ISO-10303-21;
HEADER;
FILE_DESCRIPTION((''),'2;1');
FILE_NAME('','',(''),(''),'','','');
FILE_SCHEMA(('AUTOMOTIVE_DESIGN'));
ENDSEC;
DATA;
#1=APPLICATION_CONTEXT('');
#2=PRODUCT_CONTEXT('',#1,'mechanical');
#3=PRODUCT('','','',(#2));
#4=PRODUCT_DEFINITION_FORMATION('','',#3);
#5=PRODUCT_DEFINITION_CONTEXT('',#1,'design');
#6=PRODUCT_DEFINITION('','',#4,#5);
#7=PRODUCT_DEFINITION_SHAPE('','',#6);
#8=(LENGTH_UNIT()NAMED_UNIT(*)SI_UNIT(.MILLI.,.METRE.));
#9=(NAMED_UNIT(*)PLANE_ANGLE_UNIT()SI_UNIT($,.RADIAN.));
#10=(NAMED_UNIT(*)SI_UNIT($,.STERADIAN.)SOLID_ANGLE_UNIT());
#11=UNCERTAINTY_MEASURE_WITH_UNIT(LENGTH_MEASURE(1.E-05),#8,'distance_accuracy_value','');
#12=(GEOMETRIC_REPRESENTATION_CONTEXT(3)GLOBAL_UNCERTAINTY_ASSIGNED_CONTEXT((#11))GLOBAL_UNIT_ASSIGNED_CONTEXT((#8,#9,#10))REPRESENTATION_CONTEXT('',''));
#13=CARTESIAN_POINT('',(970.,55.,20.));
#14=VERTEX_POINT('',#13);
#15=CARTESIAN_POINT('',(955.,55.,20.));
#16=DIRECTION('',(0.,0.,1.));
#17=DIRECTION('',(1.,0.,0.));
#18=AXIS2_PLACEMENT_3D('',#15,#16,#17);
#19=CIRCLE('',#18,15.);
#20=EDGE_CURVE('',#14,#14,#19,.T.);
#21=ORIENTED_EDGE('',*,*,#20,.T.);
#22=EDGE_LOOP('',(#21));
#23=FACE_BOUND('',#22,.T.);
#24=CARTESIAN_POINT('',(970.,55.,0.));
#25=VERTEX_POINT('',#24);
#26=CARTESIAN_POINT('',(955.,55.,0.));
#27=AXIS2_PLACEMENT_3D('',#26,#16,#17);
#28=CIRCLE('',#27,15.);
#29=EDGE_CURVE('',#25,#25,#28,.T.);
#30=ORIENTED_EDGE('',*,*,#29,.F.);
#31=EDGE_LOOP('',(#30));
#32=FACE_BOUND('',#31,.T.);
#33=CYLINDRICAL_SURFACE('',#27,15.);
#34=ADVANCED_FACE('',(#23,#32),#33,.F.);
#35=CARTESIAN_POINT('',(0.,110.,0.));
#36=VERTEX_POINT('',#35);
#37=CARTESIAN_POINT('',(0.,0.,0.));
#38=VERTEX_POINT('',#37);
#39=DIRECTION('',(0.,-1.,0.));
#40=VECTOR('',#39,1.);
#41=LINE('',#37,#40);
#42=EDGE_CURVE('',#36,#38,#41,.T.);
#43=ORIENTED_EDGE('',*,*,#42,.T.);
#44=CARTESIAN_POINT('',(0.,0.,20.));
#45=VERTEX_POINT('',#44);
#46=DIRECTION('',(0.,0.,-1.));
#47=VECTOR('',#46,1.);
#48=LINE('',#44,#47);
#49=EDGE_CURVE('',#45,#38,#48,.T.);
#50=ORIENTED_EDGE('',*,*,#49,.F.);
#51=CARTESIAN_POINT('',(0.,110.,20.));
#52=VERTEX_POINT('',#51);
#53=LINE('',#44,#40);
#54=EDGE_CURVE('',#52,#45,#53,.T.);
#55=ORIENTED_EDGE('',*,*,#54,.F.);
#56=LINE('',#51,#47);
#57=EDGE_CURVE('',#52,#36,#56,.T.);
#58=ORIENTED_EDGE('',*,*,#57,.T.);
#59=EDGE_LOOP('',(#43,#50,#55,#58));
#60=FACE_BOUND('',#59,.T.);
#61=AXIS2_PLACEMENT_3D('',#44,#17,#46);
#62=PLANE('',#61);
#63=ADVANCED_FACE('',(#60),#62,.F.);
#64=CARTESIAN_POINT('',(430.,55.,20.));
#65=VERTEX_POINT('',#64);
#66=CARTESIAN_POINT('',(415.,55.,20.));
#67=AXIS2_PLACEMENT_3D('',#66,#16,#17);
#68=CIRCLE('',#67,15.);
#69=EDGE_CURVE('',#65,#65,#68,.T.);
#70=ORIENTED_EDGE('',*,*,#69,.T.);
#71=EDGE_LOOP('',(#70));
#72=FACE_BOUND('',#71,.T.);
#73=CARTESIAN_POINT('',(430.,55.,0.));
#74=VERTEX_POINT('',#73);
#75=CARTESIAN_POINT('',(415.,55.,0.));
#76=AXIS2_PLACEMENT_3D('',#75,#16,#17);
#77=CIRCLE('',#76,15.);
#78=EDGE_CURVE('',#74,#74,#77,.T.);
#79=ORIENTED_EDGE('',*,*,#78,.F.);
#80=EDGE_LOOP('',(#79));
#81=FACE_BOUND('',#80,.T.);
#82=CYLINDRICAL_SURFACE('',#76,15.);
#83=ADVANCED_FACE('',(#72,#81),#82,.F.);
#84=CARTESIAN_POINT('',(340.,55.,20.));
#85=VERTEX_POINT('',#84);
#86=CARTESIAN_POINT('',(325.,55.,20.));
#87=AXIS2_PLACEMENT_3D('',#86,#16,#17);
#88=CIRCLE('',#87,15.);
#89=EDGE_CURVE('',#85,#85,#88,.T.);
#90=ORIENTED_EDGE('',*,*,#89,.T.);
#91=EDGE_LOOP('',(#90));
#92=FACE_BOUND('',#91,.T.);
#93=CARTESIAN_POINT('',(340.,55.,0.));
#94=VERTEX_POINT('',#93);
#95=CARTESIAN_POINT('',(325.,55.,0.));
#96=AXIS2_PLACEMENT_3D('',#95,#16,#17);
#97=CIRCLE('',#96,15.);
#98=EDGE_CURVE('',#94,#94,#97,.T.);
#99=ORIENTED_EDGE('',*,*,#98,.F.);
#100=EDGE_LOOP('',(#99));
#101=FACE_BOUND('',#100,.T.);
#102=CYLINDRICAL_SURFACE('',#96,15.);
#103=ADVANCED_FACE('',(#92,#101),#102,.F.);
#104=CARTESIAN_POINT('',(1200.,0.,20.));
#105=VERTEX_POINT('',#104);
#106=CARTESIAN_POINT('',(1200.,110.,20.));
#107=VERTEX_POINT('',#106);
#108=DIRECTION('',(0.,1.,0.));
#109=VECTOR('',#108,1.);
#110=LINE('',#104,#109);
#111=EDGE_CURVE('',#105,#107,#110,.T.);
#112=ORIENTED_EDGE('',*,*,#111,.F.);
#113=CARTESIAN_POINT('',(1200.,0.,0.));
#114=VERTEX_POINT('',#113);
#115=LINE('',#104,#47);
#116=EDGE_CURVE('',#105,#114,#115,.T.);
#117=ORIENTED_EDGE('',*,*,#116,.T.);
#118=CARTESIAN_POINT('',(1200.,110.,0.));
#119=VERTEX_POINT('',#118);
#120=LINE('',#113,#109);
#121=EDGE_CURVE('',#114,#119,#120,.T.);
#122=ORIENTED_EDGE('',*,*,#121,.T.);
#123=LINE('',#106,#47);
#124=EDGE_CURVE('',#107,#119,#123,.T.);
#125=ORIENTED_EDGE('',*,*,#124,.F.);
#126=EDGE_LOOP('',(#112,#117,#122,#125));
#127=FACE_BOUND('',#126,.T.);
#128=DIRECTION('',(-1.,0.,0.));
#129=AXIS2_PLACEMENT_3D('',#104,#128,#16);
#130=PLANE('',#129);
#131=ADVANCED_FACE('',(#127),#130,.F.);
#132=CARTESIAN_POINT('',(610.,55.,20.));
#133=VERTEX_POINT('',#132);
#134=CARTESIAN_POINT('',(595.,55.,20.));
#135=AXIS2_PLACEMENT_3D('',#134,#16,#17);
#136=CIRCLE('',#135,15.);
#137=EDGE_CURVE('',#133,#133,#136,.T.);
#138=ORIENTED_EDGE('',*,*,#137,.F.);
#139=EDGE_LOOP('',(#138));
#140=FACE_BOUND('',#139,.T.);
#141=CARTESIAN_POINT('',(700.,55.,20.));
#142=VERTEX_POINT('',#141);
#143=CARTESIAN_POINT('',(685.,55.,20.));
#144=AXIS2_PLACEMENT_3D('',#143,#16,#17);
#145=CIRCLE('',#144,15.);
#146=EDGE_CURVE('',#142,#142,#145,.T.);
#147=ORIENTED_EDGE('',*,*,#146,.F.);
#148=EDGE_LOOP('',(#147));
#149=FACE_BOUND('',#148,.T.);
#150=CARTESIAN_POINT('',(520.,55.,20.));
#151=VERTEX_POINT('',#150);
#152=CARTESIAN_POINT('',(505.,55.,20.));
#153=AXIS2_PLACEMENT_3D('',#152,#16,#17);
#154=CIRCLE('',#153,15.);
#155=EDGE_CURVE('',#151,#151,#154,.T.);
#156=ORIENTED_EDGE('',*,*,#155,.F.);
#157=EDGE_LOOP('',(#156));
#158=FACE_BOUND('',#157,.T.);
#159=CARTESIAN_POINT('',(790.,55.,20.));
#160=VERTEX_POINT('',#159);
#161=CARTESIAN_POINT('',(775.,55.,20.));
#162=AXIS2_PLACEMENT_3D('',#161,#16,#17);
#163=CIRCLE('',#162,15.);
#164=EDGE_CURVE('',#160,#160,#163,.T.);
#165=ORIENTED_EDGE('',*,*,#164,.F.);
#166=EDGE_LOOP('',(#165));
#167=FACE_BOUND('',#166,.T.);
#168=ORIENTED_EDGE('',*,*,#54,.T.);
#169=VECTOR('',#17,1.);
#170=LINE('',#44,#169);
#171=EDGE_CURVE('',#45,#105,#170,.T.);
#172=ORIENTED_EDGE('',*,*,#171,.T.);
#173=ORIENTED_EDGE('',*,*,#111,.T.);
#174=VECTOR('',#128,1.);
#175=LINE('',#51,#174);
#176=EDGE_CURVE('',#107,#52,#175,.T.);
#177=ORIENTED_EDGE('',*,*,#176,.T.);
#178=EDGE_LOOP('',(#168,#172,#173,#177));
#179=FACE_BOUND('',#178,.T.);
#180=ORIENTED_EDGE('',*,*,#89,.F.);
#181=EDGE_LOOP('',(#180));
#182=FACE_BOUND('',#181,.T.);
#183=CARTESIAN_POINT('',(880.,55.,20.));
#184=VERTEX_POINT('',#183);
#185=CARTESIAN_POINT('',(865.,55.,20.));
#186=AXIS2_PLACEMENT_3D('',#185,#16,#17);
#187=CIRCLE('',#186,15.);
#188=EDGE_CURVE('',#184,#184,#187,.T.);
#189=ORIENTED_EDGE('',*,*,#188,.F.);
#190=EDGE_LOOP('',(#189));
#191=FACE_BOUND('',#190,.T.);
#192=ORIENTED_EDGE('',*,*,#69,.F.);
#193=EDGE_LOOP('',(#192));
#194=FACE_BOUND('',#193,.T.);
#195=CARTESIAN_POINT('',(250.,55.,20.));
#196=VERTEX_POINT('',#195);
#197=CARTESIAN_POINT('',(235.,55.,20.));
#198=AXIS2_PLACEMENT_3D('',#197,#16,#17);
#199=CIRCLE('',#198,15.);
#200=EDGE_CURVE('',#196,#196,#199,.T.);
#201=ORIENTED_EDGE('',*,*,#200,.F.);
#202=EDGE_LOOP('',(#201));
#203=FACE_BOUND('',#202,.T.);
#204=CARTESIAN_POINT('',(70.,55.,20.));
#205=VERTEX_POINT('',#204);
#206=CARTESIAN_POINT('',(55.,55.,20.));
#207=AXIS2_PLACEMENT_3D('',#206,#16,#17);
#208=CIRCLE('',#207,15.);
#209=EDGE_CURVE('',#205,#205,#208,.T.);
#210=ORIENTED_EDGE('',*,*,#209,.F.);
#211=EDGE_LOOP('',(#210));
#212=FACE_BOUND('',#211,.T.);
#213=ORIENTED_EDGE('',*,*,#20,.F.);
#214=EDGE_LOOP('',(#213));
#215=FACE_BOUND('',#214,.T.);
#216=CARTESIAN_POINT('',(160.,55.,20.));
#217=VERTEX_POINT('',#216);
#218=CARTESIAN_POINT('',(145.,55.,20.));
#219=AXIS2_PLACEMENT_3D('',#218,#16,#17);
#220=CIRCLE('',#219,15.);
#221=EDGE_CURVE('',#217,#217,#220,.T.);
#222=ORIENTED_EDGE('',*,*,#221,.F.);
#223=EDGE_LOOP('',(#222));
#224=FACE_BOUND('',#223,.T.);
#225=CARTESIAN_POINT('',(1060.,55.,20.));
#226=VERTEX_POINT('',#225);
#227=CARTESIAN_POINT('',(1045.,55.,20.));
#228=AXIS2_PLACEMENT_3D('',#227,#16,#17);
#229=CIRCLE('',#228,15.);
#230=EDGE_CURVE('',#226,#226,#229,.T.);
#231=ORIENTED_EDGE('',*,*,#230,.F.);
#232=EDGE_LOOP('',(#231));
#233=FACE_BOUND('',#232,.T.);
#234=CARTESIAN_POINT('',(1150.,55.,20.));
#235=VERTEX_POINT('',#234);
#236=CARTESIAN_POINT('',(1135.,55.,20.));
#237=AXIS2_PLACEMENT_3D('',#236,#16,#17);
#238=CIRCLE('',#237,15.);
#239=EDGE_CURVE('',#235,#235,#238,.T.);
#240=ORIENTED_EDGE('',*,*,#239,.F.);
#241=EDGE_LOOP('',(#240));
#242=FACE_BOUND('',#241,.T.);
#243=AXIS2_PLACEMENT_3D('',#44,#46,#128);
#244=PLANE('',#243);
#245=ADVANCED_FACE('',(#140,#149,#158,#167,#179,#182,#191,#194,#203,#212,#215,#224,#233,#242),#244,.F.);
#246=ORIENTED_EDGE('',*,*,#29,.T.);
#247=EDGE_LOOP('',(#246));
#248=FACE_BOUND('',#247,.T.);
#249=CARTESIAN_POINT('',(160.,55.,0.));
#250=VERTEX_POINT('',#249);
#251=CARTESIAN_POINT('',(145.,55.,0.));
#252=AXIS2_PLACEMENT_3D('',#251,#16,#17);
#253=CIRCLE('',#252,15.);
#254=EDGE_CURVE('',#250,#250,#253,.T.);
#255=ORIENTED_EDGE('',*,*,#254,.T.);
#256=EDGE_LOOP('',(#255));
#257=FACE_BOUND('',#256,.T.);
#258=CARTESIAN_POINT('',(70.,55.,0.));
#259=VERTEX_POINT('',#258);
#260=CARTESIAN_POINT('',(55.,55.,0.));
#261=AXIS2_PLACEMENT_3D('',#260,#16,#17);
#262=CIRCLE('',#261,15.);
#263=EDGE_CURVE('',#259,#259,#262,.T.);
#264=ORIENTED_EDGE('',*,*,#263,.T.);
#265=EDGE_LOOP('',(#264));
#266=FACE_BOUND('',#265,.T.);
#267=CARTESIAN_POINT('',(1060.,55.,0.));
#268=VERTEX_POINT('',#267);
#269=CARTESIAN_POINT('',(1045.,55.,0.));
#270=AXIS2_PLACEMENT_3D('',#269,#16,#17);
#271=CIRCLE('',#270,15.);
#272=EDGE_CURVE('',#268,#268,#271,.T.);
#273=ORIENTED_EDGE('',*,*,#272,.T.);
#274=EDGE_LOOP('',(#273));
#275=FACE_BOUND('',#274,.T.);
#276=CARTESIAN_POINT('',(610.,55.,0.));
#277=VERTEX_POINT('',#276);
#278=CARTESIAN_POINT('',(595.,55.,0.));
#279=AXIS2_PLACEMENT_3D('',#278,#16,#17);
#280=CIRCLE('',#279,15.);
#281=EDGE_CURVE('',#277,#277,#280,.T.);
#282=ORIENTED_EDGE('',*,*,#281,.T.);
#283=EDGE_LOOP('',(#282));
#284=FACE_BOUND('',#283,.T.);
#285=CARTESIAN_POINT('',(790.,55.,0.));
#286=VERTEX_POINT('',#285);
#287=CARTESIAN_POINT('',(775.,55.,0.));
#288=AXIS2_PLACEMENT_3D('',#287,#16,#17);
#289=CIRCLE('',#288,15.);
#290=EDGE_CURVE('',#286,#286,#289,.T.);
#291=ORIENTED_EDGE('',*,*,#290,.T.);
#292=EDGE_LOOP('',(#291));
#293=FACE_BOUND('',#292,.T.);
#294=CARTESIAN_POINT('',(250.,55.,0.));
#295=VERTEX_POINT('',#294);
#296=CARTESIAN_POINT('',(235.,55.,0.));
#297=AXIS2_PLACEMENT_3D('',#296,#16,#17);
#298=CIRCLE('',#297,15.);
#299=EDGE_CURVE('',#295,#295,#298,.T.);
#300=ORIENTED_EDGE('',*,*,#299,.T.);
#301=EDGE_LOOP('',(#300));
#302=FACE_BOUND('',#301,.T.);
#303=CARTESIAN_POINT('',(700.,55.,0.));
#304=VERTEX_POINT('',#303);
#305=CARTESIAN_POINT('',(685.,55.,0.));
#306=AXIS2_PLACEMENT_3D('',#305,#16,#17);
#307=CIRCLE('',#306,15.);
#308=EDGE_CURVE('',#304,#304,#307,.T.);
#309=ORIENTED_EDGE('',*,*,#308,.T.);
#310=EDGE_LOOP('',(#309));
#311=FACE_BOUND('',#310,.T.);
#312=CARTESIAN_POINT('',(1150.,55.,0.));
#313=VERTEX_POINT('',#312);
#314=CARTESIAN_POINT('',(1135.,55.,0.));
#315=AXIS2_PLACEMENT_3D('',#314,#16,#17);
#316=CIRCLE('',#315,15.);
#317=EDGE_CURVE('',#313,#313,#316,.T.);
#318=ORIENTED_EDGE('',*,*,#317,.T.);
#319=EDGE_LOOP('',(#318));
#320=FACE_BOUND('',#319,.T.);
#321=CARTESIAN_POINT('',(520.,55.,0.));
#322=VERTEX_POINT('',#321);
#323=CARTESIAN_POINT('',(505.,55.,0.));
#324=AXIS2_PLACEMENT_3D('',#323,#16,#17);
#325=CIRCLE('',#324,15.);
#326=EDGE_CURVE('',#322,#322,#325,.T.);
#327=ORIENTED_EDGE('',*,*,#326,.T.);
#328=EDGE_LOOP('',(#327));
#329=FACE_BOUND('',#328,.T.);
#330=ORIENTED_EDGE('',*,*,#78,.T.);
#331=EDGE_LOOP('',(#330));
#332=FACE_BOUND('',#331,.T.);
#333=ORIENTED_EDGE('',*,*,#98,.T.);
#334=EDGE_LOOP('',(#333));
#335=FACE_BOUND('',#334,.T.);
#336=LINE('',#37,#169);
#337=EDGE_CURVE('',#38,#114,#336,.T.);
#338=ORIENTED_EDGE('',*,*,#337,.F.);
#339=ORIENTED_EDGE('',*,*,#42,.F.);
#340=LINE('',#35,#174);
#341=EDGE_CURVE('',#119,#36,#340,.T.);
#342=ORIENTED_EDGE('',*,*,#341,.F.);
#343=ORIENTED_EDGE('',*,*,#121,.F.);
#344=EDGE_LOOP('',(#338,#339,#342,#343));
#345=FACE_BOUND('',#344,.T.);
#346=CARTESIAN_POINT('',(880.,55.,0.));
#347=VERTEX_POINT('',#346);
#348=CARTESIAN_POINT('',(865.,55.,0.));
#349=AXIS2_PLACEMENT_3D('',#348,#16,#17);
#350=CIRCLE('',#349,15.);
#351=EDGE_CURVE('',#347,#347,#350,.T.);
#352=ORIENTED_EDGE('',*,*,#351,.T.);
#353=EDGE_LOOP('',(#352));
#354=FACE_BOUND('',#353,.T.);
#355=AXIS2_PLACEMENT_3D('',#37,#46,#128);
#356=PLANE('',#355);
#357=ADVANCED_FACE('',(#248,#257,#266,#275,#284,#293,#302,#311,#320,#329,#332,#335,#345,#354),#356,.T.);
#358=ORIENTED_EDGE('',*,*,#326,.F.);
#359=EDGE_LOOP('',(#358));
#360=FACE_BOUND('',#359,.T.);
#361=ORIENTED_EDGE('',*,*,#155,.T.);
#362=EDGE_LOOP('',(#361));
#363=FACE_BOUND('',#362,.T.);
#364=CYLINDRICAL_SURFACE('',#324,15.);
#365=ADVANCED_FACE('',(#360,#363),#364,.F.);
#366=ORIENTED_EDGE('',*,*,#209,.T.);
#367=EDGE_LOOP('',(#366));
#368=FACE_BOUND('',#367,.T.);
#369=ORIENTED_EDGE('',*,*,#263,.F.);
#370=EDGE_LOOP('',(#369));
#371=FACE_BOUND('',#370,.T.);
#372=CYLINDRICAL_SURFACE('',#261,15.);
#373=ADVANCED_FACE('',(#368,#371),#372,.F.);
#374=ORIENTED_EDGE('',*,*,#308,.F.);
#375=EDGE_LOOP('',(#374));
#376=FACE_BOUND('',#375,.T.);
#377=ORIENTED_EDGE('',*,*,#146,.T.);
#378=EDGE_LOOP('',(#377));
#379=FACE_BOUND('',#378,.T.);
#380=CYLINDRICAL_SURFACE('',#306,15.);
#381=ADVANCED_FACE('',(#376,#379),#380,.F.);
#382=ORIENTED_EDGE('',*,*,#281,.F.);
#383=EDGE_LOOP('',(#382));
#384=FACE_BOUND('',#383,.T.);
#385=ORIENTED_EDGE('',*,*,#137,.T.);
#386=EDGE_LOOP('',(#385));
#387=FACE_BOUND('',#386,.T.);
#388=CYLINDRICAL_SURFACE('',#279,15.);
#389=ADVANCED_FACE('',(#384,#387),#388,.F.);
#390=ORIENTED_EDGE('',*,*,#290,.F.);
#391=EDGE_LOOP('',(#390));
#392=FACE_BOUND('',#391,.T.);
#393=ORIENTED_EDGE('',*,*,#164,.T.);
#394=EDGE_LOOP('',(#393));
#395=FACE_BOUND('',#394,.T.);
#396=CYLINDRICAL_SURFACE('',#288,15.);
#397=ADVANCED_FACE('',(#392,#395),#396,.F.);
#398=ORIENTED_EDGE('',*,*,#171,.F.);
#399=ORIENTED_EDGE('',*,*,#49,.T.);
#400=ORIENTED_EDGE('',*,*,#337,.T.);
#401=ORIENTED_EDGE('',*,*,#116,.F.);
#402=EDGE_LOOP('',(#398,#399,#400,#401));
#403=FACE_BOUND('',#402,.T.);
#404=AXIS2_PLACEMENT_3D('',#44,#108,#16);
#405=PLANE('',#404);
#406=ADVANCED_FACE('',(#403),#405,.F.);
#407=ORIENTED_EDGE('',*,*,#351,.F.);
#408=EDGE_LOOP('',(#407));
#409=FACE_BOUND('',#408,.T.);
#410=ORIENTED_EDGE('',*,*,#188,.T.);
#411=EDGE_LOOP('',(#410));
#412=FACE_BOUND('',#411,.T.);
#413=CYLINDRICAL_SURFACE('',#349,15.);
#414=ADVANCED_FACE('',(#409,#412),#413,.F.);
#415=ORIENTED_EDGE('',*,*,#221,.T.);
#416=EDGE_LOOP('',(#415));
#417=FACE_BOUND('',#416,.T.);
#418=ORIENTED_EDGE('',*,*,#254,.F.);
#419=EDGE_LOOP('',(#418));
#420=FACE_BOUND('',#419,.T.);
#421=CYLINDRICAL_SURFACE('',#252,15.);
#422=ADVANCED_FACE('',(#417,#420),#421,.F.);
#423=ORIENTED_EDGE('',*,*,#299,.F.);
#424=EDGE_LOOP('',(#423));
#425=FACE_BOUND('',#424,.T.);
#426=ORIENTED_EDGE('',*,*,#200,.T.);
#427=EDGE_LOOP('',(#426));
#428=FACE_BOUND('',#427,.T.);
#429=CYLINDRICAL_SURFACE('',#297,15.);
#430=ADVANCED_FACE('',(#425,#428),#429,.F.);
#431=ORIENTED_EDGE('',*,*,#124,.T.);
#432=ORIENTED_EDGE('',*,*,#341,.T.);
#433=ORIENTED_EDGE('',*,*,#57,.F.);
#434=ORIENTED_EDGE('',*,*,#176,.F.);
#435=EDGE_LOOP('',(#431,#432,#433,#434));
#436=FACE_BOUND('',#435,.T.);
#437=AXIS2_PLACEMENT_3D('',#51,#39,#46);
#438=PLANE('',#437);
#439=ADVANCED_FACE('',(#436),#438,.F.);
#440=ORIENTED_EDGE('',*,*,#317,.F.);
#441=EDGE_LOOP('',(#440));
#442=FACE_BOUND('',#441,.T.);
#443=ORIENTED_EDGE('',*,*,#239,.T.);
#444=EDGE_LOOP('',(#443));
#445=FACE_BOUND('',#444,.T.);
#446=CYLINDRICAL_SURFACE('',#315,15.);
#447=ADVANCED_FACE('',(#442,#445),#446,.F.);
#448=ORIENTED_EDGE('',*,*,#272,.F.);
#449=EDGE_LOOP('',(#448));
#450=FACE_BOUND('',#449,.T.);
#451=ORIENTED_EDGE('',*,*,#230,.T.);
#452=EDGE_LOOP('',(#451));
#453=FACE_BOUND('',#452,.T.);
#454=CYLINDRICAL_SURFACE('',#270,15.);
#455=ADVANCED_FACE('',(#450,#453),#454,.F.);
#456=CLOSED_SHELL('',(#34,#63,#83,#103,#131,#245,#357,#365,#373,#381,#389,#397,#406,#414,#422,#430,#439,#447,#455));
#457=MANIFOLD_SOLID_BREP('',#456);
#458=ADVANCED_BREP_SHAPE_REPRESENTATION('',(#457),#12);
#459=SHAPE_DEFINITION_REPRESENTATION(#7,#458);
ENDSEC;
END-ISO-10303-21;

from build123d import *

# Parameters (mm, degrees)
SKETCH1_W           = 1200
SKETCH1_H           = 110
BOSS_EXTRUDE1_DEPTH = 20
SKETCH3_R           = 15
CUT_EXTRUDE1_DEPTH  = 1206.197079319
LPATTERN1_COUNT     = 13
LPATTERN1_PITCH     = 90


with BuildPart() as part:
    # Sketch1 → Boss-Extrude1 (new body)
    with BuildSketch(Plane.XY):
        with Locations((600, 55)):
            Rectangle(SKETCH1_W, SKETCH1_H)
    extrude(amount=BOSS_EXTRUDE1_DEPTH)

    # Sketch3 → Cut-Extrude1 (cut, through all)
    with BuildSketch(Plane.XY.offset(20)):
        with Locations((55, 55)):
            Circle(SKETCH3_R)
    cut_extrude1 = extrude(amount=-CUT_EXTRUDE1_DEPTH, mode=Mode.SUBTRACT)

    # LPattern1: Cut-Extrude1 ×13
    with Locations(*[(i * LPATTERN1_PITCH, 0, 0) for i in range(1, LPATTERN1_COUNT)]):
        add(cut_extrude1, mode=Mode.SUBTRACT)


solid = part.part
